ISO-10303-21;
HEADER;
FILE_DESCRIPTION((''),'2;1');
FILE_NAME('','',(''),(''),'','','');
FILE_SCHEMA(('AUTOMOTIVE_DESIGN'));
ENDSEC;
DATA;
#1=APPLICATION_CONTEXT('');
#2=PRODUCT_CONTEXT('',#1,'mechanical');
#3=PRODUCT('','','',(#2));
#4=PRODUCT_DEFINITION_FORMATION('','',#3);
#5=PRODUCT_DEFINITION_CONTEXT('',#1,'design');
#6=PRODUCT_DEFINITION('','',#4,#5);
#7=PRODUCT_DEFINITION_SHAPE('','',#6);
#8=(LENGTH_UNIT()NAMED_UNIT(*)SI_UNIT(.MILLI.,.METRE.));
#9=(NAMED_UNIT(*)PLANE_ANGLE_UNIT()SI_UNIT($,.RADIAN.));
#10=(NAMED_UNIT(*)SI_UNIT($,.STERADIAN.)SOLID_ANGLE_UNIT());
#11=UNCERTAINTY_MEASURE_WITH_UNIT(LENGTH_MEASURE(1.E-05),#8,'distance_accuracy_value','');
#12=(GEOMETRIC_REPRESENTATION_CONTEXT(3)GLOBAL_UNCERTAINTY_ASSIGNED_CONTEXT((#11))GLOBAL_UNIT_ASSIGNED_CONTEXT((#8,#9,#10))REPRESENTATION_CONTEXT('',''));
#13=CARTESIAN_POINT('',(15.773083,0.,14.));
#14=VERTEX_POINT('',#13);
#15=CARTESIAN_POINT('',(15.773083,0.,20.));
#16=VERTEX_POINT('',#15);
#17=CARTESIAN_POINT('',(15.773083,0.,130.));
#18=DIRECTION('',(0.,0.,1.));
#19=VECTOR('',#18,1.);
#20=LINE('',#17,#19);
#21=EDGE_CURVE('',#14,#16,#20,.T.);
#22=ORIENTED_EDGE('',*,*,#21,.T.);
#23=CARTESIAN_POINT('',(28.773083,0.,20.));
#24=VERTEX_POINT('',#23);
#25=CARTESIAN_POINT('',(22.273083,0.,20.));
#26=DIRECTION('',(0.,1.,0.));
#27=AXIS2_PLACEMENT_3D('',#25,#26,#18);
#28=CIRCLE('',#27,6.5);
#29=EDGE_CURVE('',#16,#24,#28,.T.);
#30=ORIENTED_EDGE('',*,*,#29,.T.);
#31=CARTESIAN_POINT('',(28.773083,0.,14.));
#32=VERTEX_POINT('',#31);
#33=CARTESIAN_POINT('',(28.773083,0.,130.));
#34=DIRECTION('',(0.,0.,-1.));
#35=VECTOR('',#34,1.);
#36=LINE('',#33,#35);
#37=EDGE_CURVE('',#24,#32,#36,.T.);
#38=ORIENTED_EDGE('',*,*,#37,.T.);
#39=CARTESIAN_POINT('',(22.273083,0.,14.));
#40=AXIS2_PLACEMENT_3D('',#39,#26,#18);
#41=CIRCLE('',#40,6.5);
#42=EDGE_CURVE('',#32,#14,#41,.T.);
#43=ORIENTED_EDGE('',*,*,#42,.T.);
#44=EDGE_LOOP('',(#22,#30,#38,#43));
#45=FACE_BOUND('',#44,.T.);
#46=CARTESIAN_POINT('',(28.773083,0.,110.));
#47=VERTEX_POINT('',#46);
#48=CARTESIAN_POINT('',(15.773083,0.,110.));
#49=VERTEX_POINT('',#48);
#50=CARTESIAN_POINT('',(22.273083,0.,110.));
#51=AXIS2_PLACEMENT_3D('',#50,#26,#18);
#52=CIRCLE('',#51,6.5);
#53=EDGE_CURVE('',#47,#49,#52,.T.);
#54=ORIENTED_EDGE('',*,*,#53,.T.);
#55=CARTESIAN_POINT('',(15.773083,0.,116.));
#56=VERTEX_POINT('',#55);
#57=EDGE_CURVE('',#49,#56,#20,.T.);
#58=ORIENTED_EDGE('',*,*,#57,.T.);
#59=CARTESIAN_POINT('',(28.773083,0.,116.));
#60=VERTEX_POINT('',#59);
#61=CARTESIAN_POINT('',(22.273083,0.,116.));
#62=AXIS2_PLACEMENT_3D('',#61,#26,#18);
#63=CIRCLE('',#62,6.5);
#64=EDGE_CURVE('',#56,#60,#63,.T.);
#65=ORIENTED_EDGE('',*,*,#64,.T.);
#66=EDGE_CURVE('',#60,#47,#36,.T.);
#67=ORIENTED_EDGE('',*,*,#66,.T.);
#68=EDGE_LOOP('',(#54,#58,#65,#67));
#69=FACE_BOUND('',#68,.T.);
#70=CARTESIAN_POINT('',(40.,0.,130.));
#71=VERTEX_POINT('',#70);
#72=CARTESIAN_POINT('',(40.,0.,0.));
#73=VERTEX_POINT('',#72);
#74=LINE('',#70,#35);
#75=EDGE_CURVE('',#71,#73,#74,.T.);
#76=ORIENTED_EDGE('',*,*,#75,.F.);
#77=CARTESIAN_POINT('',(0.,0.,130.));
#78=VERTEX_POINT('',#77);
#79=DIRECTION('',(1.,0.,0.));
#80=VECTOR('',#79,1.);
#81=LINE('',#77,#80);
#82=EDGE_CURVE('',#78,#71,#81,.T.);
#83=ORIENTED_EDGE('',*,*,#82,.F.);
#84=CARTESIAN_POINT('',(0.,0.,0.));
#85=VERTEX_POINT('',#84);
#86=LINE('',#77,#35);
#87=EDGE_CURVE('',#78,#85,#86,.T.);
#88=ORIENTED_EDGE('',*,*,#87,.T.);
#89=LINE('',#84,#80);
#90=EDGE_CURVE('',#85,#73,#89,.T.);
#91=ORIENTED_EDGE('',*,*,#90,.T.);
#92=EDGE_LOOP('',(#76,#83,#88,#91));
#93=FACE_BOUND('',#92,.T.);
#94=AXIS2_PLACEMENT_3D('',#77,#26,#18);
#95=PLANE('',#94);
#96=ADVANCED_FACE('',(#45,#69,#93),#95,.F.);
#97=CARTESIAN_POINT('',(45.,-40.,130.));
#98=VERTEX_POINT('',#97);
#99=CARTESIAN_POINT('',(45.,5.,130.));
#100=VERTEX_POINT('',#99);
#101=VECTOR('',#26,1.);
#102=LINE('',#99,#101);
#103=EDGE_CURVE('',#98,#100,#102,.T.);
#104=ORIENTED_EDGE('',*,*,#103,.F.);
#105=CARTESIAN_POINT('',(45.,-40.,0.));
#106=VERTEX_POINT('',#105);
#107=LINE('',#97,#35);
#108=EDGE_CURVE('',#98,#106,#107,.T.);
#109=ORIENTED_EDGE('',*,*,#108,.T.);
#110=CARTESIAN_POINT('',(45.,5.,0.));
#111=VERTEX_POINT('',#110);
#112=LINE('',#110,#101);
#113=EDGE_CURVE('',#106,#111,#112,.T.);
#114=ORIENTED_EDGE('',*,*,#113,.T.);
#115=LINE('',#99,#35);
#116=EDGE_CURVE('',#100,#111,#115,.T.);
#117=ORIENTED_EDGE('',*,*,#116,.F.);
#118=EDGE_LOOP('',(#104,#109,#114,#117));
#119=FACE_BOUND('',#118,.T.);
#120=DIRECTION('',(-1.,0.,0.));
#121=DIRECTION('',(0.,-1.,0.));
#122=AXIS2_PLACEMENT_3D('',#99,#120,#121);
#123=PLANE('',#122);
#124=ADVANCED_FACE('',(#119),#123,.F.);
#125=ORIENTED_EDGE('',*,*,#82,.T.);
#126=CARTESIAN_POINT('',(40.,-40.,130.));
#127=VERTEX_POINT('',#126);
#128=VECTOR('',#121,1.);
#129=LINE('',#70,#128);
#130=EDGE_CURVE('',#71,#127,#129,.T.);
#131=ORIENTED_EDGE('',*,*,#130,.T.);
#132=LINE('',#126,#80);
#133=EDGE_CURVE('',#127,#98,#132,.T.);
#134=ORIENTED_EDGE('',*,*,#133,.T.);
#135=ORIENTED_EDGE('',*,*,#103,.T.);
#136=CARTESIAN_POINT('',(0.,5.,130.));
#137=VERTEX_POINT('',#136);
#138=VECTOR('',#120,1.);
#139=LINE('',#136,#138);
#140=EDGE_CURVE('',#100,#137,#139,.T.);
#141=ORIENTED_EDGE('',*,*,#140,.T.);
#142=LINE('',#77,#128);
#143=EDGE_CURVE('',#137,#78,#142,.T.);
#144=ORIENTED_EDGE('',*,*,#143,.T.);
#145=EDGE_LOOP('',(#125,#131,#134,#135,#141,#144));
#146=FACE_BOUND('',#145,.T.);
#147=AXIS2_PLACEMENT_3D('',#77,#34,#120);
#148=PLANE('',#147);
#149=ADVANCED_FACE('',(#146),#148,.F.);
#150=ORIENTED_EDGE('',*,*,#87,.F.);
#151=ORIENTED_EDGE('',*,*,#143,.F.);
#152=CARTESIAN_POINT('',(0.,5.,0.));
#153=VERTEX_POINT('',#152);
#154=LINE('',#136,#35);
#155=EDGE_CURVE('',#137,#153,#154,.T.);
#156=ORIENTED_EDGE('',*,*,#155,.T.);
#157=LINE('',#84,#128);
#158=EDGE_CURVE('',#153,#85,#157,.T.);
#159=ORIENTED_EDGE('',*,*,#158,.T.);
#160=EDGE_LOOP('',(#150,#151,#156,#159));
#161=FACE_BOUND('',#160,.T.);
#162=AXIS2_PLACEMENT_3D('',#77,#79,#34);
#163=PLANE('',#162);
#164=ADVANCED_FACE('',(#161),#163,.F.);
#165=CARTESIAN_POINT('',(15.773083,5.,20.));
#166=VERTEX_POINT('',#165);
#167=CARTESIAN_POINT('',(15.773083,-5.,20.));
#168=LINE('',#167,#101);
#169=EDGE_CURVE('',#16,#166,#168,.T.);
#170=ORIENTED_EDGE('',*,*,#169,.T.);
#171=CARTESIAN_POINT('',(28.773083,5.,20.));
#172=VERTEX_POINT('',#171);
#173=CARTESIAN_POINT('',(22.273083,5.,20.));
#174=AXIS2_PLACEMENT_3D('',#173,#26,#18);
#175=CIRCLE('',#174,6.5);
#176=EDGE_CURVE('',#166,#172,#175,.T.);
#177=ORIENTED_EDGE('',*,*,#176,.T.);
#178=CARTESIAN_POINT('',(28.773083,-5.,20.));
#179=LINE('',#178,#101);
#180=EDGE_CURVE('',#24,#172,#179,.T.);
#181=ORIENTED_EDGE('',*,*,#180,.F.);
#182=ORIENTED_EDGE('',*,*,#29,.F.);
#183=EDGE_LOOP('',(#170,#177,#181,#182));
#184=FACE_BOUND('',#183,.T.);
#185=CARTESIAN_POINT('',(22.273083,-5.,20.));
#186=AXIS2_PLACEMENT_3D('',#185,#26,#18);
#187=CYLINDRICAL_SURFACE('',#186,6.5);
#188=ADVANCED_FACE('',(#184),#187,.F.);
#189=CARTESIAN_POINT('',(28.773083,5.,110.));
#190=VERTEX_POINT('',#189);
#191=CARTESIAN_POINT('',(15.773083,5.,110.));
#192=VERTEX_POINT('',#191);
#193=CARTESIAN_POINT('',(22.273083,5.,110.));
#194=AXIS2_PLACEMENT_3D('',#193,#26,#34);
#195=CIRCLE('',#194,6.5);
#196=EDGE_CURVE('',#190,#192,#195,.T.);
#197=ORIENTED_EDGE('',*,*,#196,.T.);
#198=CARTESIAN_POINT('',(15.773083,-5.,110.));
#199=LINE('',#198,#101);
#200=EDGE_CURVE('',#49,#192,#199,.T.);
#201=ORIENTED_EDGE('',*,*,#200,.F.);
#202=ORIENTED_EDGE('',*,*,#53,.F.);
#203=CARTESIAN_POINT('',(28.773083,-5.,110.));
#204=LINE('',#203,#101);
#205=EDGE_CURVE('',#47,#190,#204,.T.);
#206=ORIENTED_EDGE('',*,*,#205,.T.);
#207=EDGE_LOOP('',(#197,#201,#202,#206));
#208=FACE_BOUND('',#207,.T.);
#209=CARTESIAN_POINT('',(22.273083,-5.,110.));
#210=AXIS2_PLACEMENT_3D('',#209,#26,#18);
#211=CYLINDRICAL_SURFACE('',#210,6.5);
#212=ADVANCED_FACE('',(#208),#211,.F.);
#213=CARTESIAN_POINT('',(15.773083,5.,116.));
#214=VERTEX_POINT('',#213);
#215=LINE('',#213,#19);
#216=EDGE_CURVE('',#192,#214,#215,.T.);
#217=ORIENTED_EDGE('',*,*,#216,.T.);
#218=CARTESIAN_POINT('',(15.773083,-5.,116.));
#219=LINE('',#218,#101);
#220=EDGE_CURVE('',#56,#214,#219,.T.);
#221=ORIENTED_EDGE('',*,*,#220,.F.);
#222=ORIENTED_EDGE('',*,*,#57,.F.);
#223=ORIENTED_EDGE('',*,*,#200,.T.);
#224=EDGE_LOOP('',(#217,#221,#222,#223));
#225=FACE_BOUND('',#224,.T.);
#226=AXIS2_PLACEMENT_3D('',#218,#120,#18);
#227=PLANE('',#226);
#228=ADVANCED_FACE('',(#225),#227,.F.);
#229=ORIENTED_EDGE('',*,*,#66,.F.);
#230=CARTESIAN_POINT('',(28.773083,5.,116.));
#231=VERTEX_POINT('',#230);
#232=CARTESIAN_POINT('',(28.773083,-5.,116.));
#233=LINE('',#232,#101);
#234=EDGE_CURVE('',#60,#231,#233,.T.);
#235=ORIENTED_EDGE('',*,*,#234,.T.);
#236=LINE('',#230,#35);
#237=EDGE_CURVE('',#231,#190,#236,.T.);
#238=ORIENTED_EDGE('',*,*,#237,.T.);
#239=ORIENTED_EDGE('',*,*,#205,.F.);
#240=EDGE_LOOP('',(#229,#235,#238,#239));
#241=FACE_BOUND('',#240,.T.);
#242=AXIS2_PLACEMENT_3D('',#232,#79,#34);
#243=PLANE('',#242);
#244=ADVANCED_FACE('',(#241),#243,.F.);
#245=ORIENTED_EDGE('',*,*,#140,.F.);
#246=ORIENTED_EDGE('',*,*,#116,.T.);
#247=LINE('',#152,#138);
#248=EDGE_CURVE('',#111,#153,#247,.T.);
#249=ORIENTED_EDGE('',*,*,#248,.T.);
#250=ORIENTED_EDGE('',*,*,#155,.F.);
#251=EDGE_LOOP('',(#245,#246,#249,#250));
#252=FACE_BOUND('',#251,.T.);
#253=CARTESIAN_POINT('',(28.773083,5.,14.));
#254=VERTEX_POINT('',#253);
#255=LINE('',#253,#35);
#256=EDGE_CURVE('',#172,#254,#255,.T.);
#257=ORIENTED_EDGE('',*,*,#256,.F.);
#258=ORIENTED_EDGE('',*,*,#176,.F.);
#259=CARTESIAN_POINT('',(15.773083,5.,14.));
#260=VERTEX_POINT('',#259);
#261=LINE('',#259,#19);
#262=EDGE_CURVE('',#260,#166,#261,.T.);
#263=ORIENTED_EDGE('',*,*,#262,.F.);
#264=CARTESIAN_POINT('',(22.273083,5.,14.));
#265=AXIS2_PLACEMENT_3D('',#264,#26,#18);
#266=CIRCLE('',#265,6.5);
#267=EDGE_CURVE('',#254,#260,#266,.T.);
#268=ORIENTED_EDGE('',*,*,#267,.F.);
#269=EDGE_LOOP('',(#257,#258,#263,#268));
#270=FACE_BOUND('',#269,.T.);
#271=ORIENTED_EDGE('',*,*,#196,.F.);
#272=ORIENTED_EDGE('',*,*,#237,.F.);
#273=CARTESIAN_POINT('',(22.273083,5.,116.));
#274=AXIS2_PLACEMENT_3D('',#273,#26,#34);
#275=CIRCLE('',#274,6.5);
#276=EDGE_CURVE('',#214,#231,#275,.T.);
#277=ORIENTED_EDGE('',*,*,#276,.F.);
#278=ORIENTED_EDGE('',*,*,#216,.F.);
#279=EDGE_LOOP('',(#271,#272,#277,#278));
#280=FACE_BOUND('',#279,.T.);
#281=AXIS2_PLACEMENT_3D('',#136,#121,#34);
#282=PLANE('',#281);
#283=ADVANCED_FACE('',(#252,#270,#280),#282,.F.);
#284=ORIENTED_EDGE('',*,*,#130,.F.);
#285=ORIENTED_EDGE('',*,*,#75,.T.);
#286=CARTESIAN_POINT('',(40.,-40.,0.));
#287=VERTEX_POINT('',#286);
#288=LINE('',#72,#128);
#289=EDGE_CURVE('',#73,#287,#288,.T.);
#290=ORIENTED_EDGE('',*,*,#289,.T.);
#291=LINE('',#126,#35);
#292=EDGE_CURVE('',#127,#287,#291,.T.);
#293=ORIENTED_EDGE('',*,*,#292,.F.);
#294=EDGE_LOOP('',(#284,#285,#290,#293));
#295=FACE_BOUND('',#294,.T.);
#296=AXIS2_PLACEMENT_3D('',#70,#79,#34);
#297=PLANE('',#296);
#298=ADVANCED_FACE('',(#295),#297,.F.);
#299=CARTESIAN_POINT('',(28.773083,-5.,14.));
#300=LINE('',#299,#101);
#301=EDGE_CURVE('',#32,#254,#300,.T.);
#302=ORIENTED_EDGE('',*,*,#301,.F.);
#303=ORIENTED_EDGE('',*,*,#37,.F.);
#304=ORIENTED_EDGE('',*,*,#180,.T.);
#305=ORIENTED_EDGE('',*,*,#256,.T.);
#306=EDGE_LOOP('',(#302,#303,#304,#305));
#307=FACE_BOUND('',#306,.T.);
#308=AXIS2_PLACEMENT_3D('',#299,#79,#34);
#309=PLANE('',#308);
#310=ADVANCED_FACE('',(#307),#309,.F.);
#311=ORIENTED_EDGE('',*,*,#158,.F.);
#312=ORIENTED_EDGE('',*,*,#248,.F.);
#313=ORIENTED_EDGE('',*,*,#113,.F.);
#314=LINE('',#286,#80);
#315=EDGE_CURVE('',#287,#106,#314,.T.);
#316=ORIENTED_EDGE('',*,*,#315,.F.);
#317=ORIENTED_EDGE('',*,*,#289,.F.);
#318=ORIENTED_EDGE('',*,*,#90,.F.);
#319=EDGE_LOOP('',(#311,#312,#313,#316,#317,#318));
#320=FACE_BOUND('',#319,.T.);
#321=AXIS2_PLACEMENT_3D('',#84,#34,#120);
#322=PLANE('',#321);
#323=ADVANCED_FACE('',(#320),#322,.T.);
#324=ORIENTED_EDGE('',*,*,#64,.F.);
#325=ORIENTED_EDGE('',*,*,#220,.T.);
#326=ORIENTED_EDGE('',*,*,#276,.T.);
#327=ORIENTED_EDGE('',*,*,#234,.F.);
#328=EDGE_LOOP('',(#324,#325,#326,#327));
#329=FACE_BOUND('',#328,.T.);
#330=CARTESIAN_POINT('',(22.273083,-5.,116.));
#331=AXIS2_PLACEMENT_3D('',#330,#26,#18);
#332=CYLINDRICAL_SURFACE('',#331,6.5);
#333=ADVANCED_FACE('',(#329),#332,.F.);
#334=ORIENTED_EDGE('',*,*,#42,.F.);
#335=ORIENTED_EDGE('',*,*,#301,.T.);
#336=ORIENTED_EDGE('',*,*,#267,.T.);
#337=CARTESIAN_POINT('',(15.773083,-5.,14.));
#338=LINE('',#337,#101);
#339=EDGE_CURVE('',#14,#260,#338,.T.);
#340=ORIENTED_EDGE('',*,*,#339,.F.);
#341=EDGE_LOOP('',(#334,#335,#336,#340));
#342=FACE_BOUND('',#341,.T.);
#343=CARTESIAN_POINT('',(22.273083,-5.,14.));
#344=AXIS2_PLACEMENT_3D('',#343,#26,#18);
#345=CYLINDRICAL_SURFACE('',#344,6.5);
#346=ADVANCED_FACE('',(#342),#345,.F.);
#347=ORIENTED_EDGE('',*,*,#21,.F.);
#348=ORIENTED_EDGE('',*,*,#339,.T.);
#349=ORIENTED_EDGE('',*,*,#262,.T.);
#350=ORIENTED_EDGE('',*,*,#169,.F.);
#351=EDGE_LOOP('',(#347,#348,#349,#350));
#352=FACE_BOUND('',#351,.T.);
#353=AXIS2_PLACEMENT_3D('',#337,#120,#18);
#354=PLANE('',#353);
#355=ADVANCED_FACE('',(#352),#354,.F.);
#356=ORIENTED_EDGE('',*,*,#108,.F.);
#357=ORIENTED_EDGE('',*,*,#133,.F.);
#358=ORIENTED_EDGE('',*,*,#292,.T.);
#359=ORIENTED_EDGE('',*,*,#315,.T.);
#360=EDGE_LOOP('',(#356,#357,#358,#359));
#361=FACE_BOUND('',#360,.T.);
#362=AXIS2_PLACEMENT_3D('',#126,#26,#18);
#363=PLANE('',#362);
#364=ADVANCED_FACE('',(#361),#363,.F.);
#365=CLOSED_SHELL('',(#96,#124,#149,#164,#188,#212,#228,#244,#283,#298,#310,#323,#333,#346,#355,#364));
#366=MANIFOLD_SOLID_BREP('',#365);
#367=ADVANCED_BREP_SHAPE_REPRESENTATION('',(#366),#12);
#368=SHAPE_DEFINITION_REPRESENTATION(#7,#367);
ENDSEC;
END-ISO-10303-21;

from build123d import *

# Parameters (mm, degrees)
BOSS_EXTRUDE1_DEPTH = 130
CUT_EXTRUDE1_DEPTH  = 10


with BuildPart() as part:
    # Sketch2 → Boss-Extrude1 (new body)
    with BuildSketch(Plane.XY):
        Polygon((0, 0), (40, 0), (40, -40), (45, -40), (45, 5), (0, 5), align=None)
    extrude(amount=BOSS_EXTRUDE1_DEPTH)

    # Sketch3 → Cut-Extrude1 (cut)
    with BuildSketch(Plane(origin=(0, 5, 0), x_dir=(1, 0, 0), z_dir=(0, 1, 0))):
        with BuildLine():
            Line((28.773082799, -14), (28.773082799, -20))
            ThreePointArc((28.773082799, -20), (22.273082799, -26.5), (15.773082799, -20))
            Line((15.773082799, -20), (15.773082799, -14))
            ThreePointArc((15.773082799, -14), (22.273082799, -7.5), (28.773082799, -14))
        make_face()
        with BuildLine():
            Line((28.773082799, -116), (28.773082799, -110))
            ThreePointArc((28.773082799, -110), (22.273082799, -103.5), (15.773082799, -110))
            Line((15.773082799, -110), (15.773082799, -116))
            ThreePointArc((15.773082799, -116), (22.273082799, -122.5), (28.773082799, -116))
        make_face()
    extrude(amount=-CUT_EXTRUDE1_DEPTH, mode=Mode.SUBTRACT)


solid = part.part
